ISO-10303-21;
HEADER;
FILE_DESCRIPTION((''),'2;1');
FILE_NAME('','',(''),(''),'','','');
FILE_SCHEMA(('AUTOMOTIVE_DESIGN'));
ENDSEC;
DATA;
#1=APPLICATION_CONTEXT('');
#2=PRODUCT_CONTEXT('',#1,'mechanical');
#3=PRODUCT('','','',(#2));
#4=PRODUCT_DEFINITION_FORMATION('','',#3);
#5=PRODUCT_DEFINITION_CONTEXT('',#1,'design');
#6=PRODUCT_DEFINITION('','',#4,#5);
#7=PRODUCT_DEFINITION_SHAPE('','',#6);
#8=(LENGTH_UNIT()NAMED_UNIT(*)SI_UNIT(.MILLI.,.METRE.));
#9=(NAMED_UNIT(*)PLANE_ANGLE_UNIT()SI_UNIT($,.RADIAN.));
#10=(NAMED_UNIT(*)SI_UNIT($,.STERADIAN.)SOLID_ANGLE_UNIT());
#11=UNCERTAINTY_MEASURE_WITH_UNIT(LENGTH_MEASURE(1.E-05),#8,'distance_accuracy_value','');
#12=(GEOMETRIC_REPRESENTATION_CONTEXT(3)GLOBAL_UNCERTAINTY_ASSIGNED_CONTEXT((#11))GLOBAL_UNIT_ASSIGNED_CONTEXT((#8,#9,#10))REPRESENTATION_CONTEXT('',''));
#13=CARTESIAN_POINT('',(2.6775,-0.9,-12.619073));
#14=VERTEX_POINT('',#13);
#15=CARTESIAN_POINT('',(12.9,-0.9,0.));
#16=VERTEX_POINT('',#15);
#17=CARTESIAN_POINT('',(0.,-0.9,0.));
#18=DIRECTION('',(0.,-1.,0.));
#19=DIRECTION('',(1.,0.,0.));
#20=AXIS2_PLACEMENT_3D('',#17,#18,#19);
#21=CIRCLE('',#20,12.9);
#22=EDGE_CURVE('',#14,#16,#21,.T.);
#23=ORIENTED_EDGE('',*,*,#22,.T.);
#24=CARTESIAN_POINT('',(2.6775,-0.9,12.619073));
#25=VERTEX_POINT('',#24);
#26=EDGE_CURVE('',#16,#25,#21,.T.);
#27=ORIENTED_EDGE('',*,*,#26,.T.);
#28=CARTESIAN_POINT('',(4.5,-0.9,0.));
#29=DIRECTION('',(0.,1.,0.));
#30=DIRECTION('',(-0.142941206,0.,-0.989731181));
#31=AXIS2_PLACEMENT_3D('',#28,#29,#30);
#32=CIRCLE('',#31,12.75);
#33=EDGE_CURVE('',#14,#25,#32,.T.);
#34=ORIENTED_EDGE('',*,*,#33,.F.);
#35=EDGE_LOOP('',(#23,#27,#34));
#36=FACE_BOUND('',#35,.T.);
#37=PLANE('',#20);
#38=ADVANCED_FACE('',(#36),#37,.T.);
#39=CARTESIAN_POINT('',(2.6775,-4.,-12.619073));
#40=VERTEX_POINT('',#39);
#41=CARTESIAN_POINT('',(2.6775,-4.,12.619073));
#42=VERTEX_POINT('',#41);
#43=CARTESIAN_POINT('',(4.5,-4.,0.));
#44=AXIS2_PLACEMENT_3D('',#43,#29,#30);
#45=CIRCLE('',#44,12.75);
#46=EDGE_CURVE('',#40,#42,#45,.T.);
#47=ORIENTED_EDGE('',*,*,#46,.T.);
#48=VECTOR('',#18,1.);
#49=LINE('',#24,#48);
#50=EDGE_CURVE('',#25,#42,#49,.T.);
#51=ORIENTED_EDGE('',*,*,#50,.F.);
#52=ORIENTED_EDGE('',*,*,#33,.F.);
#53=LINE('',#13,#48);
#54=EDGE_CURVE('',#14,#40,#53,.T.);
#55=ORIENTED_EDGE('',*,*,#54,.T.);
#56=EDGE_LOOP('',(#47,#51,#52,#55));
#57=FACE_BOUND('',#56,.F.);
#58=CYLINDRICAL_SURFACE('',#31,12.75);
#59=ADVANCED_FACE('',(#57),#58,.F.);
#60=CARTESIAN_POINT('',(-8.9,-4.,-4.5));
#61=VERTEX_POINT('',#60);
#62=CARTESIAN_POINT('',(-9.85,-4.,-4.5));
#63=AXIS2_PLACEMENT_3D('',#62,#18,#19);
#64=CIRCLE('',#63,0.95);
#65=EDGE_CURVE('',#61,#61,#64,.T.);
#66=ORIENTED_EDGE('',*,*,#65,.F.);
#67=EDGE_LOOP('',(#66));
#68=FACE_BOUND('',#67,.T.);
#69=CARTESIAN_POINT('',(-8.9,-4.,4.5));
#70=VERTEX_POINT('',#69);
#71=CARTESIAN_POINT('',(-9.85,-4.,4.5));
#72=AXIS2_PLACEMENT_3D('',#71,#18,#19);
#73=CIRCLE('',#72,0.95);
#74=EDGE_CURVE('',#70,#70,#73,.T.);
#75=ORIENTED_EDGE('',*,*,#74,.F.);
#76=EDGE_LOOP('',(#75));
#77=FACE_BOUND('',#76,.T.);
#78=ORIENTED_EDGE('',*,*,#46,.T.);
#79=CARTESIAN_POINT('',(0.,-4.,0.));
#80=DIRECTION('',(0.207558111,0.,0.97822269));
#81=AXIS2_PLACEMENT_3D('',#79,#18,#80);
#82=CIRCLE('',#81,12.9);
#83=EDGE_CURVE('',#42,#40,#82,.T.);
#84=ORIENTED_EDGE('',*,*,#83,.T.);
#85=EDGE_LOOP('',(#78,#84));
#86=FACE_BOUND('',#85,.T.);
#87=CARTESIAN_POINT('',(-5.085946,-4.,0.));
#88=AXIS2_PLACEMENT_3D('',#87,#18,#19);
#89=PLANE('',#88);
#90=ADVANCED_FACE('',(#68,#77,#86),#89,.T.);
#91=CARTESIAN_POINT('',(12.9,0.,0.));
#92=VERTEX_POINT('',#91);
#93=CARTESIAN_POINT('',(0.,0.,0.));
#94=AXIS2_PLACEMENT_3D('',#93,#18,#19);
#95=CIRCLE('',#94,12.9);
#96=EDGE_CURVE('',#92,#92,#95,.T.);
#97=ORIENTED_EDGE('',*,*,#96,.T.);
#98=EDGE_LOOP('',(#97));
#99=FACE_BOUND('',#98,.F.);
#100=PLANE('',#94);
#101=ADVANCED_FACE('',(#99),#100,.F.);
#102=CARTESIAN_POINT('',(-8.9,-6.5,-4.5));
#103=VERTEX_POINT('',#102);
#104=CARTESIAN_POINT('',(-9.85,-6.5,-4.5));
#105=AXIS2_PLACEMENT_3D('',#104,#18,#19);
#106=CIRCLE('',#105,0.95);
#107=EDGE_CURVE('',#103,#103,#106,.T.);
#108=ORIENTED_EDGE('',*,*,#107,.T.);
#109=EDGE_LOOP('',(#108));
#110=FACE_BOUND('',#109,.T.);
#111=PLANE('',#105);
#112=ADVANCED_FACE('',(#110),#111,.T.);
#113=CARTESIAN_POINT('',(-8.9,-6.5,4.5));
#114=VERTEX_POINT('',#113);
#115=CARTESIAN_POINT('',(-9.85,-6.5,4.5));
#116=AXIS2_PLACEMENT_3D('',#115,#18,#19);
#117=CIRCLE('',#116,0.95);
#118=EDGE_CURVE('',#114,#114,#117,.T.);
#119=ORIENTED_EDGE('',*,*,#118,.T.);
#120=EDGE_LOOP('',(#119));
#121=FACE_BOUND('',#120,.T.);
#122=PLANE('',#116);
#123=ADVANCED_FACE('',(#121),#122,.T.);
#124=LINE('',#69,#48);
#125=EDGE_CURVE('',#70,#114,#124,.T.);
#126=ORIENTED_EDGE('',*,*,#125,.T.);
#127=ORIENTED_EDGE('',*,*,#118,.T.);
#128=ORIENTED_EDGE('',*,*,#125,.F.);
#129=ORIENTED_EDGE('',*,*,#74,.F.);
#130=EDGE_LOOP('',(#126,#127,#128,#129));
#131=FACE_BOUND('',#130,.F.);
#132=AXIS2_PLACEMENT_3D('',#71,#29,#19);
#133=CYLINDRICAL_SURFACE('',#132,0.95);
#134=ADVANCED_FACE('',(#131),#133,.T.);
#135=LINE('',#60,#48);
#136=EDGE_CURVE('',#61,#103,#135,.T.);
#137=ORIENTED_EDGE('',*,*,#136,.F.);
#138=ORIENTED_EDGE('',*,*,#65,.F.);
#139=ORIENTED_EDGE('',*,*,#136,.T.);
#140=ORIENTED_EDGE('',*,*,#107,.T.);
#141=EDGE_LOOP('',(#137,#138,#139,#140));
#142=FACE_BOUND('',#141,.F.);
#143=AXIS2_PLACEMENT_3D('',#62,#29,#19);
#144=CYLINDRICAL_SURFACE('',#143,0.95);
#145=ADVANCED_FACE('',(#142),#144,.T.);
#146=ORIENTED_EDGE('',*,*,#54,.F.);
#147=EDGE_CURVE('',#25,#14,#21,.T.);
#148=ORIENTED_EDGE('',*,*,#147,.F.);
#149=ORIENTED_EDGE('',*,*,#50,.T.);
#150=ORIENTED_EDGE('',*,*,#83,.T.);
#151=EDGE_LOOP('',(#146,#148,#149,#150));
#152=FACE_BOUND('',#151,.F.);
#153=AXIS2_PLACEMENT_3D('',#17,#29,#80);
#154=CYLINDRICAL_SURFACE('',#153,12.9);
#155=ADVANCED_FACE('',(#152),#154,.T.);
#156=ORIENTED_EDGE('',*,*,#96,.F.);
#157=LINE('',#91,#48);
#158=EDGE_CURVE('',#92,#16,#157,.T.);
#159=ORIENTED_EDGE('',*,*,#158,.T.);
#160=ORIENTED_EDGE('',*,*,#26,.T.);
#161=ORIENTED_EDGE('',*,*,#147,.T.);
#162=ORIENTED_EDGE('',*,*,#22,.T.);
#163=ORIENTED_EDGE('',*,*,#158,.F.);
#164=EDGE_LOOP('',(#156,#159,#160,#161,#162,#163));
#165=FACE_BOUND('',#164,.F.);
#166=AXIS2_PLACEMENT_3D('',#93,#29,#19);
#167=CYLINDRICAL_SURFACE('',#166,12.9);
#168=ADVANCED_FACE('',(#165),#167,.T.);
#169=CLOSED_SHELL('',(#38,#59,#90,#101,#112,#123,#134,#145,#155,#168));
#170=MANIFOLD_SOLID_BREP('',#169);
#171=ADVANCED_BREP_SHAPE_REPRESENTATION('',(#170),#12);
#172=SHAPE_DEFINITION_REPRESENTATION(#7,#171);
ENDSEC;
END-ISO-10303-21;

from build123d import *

# Parameters (mm, degrees)
F0_R     = 12.9
F1_DEPTH = 0.9
F3_DEPTH = 3.1
F4_R     = 0.95
F5_DEPTH = 2.5


with BuildPart() as f1:
    # F0 (on Front) → F1 (new body)
    with BuildSketch(Plane.XZ):
        Circle(F0_R)
    extrude(amount=F1_DEPTH)

    # F2 (on face) → F3 (join)
    with BuildSketch(Plane.XZ.offset(0.9)):
        with BuildLine():
            ThreePointArc((2.6775, -12.619073), (-8.25, 0), (2.6775, 12.619073))
            ThreePointArc((2.6775, 12.619073), (-12.9, 0), (2.6775, -12.619073))
        make_face()
    extrude(amount=F3_DEPTH)

    # F4 (on face) → F5 (join)
    with BuildSketch(Plane.XZ.offset(4)):
        with Locations((-9.85, 4.5)):
            Circle(F4_R)
        with Locations((-9.85, -4.5)):
            Circle(F4_R)
    extrude(amount=F5_DEPTH)


solid = f1.part
